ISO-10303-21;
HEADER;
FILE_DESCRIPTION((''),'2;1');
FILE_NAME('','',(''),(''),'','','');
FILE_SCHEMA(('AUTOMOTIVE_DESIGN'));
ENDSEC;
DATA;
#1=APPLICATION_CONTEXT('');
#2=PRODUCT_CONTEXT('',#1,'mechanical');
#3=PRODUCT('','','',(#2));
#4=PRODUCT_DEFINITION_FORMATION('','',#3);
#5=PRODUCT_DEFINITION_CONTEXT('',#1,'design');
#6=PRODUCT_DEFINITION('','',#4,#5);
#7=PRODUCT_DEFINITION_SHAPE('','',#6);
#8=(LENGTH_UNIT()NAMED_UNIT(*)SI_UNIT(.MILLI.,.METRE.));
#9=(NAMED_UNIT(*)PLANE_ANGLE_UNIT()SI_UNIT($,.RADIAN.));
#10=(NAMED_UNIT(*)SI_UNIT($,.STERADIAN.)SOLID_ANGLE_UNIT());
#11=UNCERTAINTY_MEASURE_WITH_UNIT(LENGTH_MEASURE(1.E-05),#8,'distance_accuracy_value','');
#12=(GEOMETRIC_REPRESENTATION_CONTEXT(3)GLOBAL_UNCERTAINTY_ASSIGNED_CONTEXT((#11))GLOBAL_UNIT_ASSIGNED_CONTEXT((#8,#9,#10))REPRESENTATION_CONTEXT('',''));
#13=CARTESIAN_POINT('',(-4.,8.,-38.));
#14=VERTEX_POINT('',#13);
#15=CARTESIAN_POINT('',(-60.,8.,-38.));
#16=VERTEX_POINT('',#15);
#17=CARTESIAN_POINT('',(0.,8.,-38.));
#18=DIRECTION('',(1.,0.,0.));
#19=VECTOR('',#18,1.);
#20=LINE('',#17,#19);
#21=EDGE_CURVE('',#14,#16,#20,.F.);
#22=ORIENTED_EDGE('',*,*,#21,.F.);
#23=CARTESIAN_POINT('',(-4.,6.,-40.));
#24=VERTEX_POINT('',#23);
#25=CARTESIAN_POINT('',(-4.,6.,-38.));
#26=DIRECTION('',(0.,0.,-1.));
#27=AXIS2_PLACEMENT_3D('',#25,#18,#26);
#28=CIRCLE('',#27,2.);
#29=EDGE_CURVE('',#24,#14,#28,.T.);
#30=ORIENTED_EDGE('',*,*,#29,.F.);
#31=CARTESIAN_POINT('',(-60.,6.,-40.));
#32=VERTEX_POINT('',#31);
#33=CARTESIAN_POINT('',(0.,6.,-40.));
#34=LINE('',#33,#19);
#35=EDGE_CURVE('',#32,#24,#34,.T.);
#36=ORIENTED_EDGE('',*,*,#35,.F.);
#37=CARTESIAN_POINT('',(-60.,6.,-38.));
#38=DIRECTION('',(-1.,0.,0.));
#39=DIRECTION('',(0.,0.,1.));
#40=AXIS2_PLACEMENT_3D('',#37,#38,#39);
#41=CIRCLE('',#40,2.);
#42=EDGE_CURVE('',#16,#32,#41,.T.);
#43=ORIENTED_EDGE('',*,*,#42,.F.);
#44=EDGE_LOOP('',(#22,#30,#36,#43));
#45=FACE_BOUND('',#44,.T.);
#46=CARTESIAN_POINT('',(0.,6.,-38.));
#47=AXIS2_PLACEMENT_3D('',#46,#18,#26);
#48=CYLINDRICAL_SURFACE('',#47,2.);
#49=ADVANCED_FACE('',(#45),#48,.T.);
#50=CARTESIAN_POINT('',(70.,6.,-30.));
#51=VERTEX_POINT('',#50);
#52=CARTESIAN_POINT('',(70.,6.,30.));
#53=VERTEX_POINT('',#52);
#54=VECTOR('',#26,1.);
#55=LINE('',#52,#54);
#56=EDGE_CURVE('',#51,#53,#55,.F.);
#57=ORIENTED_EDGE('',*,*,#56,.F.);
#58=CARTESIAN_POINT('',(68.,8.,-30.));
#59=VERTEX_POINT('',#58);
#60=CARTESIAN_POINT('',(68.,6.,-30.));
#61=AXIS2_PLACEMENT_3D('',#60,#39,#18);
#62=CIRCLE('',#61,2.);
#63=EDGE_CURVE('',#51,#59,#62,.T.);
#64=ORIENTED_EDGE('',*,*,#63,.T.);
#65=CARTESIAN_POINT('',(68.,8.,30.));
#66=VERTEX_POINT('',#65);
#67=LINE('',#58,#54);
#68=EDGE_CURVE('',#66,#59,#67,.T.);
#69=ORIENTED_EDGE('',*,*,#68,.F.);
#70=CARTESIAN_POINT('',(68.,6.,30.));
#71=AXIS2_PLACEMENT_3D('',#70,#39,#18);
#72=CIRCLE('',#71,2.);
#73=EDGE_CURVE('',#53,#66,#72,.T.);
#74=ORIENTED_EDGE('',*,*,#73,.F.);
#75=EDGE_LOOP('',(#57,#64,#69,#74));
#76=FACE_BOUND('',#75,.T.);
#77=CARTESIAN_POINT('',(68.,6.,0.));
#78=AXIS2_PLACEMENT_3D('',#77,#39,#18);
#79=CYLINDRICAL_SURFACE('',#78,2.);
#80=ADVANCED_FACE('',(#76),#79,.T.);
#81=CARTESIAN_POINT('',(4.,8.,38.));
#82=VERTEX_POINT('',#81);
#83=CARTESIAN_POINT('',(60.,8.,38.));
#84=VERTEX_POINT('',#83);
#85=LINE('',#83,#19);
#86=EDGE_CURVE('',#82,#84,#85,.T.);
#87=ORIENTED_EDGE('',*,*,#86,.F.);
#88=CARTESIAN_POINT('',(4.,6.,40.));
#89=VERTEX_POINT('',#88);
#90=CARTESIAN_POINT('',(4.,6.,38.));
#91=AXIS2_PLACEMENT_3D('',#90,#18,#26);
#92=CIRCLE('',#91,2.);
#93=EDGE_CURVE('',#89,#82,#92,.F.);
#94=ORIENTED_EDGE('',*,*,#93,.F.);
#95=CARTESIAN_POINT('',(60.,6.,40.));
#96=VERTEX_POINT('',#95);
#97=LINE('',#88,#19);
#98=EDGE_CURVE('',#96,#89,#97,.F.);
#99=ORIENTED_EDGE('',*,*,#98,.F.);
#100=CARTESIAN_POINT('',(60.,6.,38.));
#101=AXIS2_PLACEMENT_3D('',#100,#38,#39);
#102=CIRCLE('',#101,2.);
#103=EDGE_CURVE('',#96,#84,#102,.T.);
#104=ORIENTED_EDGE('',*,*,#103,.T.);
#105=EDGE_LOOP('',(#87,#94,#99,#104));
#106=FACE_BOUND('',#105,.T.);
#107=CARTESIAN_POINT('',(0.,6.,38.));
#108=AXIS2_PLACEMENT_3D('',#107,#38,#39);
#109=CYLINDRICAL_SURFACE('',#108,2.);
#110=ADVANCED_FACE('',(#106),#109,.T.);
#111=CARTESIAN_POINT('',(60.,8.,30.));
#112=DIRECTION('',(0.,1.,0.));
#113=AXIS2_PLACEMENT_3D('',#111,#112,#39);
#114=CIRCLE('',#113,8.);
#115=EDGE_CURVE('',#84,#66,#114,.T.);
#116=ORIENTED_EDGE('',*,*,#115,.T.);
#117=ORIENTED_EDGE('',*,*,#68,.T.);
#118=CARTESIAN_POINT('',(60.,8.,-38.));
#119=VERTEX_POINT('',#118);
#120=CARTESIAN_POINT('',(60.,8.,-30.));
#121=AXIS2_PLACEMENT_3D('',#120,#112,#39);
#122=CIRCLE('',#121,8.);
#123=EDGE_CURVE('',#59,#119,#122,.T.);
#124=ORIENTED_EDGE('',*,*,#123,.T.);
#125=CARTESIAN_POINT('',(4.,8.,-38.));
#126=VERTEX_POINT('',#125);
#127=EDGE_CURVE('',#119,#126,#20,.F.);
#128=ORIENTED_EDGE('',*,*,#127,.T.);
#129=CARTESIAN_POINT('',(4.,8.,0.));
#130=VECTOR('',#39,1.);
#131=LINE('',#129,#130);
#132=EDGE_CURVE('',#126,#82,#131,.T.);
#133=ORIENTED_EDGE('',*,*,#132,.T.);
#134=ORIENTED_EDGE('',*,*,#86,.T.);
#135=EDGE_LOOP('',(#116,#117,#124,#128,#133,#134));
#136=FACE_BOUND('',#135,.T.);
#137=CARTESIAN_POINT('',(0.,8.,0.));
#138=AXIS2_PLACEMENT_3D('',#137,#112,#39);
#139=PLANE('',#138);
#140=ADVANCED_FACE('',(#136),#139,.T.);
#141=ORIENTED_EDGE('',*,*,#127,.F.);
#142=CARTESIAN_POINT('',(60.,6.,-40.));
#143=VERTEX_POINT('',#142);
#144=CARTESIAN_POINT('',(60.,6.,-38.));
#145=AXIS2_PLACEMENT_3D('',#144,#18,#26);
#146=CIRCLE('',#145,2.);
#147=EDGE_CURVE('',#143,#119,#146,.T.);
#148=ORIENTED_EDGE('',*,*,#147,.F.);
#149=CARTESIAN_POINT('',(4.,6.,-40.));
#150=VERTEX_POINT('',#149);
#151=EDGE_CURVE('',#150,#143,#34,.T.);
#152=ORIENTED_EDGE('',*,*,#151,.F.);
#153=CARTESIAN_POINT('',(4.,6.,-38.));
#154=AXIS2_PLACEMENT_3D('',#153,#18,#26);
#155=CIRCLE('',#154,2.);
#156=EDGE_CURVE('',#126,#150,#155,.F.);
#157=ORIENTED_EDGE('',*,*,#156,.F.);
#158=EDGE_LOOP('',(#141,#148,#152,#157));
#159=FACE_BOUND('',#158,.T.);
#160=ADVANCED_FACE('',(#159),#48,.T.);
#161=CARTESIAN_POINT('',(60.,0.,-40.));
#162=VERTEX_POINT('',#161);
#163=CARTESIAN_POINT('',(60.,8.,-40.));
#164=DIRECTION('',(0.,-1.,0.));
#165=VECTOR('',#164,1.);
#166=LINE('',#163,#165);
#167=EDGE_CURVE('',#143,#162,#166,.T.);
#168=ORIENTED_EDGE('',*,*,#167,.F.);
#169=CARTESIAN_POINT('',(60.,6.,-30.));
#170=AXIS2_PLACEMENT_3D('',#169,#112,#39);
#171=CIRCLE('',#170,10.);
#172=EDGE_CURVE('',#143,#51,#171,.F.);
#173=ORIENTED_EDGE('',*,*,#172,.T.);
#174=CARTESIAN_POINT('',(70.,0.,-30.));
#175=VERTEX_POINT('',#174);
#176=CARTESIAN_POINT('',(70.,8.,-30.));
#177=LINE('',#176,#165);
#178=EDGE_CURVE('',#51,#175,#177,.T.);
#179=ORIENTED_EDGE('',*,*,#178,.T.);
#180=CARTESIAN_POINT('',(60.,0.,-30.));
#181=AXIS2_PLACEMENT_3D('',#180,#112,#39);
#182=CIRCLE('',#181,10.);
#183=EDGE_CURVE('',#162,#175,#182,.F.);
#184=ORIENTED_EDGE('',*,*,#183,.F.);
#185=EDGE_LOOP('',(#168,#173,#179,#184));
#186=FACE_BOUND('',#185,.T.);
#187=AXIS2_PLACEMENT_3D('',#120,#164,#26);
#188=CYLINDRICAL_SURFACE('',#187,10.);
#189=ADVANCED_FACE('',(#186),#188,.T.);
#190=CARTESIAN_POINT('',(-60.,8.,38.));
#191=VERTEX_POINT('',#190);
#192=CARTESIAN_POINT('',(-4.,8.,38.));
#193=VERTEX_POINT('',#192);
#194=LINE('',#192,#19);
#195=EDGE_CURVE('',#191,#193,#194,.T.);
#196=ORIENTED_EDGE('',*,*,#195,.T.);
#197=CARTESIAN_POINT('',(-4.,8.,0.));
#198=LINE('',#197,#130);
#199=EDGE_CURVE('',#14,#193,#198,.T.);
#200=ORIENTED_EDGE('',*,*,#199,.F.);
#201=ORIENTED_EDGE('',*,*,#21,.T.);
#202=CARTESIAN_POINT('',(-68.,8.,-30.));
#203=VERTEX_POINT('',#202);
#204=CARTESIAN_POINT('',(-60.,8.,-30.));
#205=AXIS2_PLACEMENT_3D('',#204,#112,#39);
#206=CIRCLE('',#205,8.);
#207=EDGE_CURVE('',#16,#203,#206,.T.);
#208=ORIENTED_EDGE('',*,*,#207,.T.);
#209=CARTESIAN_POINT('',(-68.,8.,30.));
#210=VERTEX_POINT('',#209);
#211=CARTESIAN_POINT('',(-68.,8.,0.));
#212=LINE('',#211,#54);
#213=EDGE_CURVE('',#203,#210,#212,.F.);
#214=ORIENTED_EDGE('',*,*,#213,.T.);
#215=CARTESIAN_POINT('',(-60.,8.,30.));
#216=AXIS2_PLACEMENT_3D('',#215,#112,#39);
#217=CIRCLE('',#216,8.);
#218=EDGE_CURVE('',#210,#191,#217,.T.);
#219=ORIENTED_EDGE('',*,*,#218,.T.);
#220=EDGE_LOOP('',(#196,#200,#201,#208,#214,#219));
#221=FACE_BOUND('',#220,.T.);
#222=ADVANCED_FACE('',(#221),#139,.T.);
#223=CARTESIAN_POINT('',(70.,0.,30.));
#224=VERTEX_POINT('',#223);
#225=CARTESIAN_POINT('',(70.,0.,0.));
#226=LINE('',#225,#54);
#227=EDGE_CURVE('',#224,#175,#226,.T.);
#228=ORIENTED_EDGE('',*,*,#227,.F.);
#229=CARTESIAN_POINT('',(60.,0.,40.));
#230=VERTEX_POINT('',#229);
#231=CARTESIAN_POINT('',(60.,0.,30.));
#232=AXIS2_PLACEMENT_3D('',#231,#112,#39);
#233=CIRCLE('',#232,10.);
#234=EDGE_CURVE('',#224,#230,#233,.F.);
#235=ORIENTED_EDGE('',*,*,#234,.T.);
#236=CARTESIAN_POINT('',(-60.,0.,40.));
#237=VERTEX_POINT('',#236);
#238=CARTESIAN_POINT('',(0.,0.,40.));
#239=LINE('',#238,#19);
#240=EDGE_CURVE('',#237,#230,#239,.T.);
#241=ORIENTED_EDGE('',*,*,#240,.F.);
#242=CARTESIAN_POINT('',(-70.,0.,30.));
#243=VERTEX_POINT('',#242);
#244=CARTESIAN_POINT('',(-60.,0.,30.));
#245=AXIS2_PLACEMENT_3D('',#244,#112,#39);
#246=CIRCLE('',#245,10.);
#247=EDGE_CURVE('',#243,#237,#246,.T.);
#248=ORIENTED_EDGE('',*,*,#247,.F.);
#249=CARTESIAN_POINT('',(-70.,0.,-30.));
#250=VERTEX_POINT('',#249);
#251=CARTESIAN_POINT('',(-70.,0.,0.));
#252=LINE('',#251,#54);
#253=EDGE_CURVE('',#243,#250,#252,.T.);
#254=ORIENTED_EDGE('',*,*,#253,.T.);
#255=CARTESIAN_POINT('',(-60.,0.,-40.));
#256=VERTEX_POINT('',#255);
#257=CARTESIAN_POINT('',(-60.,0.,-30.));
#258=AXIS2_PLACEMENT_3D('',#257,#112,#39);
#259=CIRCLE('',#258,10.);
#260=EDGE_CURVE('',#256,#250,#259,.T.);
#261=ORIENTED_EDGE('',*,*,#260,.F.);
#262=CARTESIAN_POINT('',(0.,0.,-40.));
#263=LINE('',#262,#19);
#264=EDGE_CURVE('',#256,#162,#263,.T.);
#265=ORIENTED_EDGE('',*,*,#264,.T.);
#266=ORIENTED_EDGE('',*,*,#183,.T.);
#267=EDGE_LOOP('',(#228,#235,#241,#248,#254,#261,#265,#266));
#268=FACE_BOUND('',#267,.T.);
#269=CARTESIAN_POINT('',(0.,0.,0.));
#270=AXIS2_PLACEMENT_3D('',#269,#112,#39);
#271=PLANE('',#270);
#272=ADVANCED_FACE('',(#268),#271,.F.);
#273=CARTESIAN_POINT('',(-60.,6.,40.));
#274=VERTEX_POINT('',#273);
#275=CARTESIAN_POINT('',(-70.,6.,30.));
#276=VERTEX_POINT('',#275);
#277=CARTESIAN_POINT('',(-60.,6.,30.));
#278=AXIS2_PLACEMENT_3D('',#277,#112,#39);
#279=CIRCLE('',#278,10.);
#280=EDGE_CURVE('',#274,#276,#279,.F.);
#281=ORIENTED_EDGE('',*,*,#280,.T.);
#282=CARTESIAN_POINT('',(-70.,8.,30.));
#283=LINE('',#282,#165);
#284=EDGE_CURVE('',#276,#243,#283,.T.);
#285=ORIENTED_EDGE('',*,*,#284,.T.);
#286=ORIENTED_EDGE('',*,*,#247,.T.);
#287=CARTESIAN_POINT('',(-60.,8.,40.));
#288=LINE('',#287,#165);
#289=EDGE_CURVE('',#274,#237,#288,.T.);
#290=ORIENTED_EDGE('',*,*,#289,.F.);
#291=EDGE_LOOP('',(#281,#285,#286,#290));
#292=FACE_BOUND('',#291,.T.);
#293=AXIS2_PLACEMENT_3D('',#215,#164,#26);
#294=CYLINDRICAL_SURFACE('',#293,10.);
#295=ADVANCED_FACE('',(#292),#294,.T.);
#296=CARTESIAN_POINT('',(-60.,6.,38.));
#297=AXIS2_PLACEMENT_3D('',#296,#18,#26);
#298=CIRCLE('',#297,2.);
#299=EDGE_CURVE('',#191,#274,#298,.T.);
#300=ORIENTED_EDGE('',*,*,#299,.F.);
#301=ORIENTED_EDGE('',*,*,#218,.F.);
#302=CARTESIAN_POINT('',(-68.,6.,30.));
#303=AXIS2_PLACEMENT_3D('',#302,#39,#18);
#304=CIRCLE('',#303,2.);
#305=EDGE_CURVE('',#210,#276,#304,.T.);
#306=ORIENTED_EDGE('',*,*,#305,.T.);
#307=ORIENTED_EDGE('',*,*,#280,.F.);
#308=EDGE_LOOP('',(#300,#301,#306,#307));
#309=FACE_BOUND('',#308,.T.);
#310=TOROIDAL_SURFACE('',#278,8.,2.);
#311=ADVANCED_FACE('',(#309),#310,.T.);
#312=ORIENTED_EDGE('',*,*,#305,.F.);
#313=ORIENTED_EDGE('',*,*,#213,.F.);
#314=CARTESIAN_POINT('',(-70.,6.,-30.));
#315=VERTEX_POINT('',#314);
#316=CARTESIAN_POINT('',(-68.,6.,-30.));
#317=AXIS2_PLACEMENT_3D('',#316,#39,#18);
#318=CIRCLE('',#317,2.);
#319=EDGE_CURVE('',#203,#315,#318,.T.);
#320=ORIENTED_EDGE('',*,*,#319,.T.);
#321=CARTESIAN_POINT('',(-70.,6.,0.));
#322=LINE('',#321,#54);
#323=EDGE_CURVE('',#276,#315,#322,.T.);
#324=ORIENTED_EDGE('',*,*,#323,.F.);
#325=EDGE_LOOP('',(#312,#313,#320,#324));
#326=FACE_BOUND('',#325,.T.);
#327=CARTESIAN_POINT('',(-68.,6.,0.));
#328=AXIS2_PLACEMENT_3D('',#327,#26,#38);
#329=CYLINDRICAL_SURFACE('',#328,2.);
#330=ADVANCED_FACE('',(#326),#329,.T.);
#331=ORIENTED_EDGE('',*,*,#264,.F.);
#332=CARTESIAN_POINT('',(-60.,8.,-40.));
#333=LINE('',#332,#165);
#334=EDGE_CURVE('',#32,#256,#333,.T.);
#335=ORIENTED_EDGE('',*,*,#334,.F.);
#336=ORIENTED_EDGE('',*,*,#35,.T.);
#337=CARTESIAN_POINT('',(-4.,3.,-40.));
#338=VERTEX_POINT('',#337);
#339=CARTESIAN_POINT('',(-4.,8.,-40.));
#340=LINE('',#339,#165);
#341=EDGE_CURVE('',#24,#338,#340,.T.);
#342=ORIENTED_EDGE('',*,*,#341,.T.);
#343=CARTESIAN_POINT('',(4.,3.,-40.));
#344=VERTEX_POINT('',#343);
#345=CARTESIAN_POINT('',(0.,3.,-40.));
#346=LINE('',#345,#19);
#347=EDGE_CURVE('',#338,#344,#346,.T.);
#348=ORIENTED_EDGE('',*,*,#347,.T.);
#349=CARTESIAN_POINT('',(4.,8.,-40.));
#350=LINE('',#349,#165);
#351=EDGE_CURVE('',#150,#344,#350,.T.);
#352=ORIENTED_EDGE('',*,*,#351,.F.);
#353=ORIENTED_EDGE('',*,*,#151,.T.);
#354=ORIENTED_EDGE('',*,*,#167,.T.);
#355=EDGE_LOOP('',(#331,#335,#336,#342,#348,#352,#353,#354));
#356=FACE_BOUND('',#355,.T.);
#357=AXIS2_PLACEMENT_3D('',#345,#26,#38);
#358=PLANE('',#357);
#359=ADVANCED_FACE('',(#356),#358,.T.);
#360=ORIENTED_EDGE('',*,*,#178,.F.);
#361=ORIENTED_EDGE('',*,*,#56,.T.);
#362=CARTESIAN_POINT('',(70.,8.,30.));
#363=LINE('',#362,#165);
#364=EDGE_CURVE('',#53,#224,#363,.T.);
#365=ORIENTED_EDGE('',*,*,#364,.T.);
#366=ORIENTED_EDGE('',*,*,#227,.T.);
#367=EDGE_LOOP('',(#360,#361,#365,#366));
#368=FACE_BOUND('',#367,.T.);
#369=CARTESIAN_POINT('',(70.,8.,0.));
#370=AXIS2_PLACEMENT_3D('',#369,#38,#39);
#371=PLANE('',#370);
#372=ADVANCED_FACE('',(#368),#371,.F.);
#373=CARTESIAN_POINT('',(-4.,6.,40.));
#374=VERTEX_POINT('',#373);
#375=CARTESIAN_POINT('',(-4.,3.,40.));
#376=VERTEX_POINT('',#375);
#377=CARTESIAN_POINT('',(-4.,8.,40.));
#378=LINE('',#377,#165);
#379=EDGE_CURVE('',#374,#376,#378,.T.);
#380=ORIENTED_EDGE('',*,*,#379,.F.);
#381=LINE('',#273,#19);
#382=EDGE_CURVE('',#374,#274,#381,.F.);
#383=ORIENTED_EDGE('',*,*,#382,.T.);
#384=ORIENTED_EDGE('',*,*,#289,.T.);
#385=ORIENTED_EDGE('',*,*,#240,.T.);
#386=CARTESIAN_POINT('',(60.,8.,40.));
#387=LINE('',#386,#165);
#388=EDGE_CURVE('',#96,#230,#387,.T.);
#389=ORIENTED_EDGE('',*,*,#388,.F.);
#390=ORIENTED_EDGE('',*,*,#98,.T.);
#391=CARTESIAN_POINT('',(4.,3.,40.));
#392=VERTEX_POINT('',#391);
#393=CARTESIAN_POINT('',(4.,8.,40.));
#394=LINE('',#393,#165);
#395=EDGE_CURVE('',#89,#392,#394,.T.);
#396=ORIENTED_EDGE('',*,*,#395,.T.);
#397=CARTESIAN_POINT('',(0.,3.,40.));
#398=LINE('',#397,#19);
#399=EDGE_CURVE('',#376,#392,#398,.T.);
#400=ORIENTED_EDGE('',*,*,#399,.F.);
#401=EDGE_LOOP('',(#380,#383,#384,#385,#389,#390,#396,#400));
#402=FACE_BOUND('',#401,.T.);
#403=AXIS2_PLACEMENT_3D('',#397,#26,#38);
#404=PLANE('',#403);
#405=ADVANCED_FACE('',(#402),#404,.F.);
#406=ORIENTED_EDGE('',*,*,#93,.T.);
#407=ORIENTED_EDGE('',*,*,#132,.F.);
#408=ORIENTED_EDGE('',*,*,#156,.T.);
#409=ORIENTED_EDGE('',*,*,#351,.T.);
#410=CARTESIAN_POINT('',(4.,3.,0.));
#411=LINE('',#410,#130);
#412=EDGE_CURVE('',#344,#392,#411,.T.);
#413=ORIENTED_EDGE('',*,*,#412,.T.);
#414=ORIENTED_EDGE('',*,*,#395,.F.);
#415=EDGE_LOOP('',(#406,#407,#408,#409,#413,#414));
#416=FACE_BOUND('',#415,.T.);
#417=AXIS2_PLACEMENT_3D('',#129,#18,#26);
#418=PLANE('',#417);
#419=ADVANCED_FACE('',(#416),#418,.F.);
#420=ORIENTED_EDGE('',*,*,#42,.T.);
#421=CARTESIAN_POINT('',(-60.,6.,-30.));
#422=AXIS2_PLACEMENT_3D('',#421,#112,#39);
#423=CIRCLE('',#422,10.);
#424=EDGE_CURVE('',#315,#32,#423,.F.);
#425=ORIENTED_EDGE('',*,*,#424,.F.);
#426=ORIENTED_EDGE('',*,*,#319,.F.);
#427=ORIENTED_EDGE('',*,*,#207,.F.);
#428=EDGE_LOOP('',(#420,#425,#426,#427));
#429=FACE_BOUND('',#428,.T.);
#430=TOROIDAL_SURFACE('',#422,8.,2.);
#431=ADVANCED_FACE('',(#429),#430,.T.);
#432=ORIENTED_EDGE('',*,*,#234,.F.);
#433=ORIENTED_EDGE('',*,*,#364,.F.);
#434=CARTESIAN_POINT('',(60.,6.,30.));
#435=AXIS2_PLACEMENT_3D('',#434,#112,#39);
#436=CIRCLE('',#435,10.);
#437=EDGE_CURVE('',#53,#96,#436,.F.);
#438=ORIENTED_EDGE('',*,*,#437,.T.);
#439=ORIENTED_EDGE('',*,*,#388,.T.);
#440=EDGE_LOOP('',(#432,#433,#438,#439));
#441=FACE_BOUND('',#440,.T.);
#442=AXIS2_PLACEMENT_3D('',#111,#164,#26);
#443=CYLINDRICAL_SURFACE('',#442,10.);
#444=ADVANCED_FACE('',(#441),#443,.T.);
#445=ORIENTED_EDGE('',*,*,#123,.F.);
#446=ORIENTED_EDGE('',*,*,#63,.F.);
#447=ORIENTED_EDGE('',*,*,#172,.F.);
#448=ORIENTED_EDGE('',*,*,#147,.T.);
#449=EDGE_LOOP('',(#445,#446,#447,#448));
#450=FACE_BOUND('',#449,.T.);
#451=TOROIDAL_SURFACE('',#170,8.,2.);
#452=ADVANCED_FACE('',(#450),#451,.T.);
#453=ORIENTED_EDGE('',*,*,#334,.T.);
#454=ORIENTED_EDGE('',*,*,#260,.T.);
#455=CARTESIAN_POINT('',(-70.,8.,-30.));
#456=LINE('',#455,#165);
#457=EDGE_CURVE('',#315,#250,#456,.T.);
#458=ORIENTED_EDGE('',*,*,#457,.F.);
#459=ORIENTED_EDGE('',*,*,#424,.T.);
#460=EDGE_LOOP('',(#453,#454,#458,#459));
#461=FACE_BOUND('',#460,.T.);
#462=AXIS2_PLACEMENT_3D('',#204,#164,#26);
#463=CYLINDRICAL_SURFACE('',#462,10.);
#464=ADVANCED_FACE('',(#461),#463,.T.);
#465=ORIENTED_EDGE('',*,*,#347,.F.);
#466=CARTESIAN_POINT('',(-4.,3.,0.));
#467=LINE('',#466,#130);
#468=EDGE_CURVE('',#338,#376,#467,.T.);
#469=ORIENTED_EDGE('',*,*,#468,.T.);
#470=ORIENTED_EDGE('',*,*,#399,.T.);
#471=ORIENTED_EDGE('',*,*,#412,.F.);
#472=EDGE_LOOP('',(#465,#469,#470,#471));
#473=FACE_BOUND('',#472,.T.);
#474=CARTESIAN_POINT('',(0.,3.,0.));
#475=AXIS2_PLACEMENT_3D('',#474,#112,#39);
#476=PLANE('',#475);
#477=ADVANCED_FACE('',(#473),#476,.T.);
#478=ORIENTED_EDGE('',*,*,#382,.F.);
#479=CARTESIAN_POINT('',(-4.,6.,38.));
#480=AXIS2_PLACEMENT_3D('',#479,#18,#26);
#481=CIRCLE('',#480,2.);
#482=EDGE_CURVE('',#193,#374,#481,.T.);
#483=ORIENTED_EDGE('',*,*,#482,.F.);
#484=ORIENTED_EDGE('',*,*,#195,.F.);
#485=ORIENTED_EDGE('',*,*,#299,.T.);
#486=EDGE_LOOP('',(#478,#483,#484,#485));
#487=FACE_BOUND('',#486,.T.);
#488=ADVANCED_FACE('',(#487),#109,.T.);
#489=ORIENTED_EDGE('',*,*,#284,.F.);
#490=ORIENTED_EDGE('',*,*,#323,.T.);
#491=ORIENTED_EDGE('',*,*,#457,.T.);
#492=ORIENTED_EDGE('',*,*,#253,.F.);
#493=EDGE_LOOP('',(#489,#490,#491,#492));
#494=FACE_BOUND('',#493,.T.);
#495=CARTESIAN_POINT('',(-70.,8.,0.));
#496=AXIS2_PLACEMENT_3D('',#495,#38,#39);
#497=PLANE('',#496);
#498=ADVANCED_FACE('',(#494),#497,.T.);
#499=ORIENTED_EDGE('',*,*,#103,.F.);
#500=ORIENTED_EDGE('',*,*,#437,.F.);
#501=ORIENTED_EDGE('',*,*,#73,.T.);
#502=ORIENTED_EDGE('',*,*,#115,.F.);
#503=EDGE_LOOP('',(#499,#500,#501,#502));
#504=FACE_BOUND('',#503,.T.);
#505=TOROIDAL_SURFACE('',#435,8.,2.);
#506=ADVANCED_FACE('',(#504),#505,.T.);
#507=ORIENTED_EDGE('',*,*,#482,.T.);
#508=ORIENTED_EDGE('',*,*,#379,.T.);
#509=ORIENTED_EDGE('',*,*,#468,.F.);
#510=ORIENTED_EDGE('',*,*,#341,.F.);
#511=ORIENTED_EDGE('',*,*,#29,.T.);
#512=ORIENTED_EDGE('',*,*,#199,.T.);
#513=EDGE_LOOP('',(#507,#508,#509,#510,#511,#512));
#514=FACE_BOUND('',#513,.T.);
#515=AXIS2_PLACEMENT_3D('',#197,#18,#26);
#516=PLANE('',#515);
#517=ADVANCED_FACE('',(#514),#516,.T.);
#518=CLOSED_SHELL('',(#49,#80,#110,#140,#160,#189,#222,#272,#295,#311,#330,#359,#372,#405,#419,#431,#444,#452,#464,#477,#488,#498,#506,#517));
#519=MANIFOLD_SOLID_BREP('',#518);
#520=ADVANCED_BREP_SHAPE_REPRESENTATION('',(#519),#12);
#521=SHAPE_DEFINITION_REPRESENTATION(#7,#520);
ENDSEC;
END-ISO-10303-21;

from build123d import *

# Parameters (mm, degrees)
SKETCH1_W           = 8
SKETCH1_H           = 80
BOSS_EXTRUDE1_DEPTH = 3
BOSS_EXTRUDE2_DEPTH = 8
FILLET1_R           = 2


with BuildPart() as part:
    # Sketch1 → Boss-Extrude1 (new body)
    with BuildSketch(Plane(origin=(0, 0, 0), x_dir=(1, 0, 0), z_dir=(0, 1, 0))):
        Rectangle(SKETCH1_W, SKETCH1_H)
    extrude(amount=BOSS_EXTRUDE1_DEPTH)

    # Sketch1<3> → Boss-Extrude2 (add)
    with BuildSketch(Plane(origin=(0, 0, 0), x_dir=(1, 0, 0), z_dir=(0, 1, 0))):
        with BuildLine():
            ThreePointArc((-70, -30), (-67.071067812, -37.071067812), (-60, -40))
            Line((-60, -40), (-4, -40))
            Line((-4, -40), (-4, 40))
            Line((-4, 40), (-60, 40))
            ThreePointArc((-60, 40), (-67.071067812, 37.071067812), (-70, 30))
            Line((-70, 30), (-70, -30))
        make_face()
        with BuildLine():
            Line((4, 40), (4, -40))
            Line((4, -40), (60, -40))
            ThreePointArc((60, -40), (67.071067812, -37.071067812), (70, -30))
            Line((70, -30), (70, 30))
            ThreePointArc((70, 30), (67.071067812, 37.071067812), (60, 40))
            Line((60, 40), (4, 40))
        make_face()
    extrude(amount=BOSS_EXTRUDE2_DEPTH)

    # Fillet1
    fillet1_edges = [part.edges().sort_by_distance(p)[0] for p in [
        (-32, 8, -40),
        (-70, 8, 0),
        (-67.071067812, 8, -37.071067812),
        (-67.071067812, 8, 37.071067812),
        (-32, 8, 40),
        (67.071067812, 8, 37.071067812),
        (67.071067812, 8, -37.071067812),
        (32, 8, -40),
        (70, 8, 0),
        (32, 8, 40),
    ]]
    fillet(fillet1_edges, radius=FILLET1_R)


solid = part.part
